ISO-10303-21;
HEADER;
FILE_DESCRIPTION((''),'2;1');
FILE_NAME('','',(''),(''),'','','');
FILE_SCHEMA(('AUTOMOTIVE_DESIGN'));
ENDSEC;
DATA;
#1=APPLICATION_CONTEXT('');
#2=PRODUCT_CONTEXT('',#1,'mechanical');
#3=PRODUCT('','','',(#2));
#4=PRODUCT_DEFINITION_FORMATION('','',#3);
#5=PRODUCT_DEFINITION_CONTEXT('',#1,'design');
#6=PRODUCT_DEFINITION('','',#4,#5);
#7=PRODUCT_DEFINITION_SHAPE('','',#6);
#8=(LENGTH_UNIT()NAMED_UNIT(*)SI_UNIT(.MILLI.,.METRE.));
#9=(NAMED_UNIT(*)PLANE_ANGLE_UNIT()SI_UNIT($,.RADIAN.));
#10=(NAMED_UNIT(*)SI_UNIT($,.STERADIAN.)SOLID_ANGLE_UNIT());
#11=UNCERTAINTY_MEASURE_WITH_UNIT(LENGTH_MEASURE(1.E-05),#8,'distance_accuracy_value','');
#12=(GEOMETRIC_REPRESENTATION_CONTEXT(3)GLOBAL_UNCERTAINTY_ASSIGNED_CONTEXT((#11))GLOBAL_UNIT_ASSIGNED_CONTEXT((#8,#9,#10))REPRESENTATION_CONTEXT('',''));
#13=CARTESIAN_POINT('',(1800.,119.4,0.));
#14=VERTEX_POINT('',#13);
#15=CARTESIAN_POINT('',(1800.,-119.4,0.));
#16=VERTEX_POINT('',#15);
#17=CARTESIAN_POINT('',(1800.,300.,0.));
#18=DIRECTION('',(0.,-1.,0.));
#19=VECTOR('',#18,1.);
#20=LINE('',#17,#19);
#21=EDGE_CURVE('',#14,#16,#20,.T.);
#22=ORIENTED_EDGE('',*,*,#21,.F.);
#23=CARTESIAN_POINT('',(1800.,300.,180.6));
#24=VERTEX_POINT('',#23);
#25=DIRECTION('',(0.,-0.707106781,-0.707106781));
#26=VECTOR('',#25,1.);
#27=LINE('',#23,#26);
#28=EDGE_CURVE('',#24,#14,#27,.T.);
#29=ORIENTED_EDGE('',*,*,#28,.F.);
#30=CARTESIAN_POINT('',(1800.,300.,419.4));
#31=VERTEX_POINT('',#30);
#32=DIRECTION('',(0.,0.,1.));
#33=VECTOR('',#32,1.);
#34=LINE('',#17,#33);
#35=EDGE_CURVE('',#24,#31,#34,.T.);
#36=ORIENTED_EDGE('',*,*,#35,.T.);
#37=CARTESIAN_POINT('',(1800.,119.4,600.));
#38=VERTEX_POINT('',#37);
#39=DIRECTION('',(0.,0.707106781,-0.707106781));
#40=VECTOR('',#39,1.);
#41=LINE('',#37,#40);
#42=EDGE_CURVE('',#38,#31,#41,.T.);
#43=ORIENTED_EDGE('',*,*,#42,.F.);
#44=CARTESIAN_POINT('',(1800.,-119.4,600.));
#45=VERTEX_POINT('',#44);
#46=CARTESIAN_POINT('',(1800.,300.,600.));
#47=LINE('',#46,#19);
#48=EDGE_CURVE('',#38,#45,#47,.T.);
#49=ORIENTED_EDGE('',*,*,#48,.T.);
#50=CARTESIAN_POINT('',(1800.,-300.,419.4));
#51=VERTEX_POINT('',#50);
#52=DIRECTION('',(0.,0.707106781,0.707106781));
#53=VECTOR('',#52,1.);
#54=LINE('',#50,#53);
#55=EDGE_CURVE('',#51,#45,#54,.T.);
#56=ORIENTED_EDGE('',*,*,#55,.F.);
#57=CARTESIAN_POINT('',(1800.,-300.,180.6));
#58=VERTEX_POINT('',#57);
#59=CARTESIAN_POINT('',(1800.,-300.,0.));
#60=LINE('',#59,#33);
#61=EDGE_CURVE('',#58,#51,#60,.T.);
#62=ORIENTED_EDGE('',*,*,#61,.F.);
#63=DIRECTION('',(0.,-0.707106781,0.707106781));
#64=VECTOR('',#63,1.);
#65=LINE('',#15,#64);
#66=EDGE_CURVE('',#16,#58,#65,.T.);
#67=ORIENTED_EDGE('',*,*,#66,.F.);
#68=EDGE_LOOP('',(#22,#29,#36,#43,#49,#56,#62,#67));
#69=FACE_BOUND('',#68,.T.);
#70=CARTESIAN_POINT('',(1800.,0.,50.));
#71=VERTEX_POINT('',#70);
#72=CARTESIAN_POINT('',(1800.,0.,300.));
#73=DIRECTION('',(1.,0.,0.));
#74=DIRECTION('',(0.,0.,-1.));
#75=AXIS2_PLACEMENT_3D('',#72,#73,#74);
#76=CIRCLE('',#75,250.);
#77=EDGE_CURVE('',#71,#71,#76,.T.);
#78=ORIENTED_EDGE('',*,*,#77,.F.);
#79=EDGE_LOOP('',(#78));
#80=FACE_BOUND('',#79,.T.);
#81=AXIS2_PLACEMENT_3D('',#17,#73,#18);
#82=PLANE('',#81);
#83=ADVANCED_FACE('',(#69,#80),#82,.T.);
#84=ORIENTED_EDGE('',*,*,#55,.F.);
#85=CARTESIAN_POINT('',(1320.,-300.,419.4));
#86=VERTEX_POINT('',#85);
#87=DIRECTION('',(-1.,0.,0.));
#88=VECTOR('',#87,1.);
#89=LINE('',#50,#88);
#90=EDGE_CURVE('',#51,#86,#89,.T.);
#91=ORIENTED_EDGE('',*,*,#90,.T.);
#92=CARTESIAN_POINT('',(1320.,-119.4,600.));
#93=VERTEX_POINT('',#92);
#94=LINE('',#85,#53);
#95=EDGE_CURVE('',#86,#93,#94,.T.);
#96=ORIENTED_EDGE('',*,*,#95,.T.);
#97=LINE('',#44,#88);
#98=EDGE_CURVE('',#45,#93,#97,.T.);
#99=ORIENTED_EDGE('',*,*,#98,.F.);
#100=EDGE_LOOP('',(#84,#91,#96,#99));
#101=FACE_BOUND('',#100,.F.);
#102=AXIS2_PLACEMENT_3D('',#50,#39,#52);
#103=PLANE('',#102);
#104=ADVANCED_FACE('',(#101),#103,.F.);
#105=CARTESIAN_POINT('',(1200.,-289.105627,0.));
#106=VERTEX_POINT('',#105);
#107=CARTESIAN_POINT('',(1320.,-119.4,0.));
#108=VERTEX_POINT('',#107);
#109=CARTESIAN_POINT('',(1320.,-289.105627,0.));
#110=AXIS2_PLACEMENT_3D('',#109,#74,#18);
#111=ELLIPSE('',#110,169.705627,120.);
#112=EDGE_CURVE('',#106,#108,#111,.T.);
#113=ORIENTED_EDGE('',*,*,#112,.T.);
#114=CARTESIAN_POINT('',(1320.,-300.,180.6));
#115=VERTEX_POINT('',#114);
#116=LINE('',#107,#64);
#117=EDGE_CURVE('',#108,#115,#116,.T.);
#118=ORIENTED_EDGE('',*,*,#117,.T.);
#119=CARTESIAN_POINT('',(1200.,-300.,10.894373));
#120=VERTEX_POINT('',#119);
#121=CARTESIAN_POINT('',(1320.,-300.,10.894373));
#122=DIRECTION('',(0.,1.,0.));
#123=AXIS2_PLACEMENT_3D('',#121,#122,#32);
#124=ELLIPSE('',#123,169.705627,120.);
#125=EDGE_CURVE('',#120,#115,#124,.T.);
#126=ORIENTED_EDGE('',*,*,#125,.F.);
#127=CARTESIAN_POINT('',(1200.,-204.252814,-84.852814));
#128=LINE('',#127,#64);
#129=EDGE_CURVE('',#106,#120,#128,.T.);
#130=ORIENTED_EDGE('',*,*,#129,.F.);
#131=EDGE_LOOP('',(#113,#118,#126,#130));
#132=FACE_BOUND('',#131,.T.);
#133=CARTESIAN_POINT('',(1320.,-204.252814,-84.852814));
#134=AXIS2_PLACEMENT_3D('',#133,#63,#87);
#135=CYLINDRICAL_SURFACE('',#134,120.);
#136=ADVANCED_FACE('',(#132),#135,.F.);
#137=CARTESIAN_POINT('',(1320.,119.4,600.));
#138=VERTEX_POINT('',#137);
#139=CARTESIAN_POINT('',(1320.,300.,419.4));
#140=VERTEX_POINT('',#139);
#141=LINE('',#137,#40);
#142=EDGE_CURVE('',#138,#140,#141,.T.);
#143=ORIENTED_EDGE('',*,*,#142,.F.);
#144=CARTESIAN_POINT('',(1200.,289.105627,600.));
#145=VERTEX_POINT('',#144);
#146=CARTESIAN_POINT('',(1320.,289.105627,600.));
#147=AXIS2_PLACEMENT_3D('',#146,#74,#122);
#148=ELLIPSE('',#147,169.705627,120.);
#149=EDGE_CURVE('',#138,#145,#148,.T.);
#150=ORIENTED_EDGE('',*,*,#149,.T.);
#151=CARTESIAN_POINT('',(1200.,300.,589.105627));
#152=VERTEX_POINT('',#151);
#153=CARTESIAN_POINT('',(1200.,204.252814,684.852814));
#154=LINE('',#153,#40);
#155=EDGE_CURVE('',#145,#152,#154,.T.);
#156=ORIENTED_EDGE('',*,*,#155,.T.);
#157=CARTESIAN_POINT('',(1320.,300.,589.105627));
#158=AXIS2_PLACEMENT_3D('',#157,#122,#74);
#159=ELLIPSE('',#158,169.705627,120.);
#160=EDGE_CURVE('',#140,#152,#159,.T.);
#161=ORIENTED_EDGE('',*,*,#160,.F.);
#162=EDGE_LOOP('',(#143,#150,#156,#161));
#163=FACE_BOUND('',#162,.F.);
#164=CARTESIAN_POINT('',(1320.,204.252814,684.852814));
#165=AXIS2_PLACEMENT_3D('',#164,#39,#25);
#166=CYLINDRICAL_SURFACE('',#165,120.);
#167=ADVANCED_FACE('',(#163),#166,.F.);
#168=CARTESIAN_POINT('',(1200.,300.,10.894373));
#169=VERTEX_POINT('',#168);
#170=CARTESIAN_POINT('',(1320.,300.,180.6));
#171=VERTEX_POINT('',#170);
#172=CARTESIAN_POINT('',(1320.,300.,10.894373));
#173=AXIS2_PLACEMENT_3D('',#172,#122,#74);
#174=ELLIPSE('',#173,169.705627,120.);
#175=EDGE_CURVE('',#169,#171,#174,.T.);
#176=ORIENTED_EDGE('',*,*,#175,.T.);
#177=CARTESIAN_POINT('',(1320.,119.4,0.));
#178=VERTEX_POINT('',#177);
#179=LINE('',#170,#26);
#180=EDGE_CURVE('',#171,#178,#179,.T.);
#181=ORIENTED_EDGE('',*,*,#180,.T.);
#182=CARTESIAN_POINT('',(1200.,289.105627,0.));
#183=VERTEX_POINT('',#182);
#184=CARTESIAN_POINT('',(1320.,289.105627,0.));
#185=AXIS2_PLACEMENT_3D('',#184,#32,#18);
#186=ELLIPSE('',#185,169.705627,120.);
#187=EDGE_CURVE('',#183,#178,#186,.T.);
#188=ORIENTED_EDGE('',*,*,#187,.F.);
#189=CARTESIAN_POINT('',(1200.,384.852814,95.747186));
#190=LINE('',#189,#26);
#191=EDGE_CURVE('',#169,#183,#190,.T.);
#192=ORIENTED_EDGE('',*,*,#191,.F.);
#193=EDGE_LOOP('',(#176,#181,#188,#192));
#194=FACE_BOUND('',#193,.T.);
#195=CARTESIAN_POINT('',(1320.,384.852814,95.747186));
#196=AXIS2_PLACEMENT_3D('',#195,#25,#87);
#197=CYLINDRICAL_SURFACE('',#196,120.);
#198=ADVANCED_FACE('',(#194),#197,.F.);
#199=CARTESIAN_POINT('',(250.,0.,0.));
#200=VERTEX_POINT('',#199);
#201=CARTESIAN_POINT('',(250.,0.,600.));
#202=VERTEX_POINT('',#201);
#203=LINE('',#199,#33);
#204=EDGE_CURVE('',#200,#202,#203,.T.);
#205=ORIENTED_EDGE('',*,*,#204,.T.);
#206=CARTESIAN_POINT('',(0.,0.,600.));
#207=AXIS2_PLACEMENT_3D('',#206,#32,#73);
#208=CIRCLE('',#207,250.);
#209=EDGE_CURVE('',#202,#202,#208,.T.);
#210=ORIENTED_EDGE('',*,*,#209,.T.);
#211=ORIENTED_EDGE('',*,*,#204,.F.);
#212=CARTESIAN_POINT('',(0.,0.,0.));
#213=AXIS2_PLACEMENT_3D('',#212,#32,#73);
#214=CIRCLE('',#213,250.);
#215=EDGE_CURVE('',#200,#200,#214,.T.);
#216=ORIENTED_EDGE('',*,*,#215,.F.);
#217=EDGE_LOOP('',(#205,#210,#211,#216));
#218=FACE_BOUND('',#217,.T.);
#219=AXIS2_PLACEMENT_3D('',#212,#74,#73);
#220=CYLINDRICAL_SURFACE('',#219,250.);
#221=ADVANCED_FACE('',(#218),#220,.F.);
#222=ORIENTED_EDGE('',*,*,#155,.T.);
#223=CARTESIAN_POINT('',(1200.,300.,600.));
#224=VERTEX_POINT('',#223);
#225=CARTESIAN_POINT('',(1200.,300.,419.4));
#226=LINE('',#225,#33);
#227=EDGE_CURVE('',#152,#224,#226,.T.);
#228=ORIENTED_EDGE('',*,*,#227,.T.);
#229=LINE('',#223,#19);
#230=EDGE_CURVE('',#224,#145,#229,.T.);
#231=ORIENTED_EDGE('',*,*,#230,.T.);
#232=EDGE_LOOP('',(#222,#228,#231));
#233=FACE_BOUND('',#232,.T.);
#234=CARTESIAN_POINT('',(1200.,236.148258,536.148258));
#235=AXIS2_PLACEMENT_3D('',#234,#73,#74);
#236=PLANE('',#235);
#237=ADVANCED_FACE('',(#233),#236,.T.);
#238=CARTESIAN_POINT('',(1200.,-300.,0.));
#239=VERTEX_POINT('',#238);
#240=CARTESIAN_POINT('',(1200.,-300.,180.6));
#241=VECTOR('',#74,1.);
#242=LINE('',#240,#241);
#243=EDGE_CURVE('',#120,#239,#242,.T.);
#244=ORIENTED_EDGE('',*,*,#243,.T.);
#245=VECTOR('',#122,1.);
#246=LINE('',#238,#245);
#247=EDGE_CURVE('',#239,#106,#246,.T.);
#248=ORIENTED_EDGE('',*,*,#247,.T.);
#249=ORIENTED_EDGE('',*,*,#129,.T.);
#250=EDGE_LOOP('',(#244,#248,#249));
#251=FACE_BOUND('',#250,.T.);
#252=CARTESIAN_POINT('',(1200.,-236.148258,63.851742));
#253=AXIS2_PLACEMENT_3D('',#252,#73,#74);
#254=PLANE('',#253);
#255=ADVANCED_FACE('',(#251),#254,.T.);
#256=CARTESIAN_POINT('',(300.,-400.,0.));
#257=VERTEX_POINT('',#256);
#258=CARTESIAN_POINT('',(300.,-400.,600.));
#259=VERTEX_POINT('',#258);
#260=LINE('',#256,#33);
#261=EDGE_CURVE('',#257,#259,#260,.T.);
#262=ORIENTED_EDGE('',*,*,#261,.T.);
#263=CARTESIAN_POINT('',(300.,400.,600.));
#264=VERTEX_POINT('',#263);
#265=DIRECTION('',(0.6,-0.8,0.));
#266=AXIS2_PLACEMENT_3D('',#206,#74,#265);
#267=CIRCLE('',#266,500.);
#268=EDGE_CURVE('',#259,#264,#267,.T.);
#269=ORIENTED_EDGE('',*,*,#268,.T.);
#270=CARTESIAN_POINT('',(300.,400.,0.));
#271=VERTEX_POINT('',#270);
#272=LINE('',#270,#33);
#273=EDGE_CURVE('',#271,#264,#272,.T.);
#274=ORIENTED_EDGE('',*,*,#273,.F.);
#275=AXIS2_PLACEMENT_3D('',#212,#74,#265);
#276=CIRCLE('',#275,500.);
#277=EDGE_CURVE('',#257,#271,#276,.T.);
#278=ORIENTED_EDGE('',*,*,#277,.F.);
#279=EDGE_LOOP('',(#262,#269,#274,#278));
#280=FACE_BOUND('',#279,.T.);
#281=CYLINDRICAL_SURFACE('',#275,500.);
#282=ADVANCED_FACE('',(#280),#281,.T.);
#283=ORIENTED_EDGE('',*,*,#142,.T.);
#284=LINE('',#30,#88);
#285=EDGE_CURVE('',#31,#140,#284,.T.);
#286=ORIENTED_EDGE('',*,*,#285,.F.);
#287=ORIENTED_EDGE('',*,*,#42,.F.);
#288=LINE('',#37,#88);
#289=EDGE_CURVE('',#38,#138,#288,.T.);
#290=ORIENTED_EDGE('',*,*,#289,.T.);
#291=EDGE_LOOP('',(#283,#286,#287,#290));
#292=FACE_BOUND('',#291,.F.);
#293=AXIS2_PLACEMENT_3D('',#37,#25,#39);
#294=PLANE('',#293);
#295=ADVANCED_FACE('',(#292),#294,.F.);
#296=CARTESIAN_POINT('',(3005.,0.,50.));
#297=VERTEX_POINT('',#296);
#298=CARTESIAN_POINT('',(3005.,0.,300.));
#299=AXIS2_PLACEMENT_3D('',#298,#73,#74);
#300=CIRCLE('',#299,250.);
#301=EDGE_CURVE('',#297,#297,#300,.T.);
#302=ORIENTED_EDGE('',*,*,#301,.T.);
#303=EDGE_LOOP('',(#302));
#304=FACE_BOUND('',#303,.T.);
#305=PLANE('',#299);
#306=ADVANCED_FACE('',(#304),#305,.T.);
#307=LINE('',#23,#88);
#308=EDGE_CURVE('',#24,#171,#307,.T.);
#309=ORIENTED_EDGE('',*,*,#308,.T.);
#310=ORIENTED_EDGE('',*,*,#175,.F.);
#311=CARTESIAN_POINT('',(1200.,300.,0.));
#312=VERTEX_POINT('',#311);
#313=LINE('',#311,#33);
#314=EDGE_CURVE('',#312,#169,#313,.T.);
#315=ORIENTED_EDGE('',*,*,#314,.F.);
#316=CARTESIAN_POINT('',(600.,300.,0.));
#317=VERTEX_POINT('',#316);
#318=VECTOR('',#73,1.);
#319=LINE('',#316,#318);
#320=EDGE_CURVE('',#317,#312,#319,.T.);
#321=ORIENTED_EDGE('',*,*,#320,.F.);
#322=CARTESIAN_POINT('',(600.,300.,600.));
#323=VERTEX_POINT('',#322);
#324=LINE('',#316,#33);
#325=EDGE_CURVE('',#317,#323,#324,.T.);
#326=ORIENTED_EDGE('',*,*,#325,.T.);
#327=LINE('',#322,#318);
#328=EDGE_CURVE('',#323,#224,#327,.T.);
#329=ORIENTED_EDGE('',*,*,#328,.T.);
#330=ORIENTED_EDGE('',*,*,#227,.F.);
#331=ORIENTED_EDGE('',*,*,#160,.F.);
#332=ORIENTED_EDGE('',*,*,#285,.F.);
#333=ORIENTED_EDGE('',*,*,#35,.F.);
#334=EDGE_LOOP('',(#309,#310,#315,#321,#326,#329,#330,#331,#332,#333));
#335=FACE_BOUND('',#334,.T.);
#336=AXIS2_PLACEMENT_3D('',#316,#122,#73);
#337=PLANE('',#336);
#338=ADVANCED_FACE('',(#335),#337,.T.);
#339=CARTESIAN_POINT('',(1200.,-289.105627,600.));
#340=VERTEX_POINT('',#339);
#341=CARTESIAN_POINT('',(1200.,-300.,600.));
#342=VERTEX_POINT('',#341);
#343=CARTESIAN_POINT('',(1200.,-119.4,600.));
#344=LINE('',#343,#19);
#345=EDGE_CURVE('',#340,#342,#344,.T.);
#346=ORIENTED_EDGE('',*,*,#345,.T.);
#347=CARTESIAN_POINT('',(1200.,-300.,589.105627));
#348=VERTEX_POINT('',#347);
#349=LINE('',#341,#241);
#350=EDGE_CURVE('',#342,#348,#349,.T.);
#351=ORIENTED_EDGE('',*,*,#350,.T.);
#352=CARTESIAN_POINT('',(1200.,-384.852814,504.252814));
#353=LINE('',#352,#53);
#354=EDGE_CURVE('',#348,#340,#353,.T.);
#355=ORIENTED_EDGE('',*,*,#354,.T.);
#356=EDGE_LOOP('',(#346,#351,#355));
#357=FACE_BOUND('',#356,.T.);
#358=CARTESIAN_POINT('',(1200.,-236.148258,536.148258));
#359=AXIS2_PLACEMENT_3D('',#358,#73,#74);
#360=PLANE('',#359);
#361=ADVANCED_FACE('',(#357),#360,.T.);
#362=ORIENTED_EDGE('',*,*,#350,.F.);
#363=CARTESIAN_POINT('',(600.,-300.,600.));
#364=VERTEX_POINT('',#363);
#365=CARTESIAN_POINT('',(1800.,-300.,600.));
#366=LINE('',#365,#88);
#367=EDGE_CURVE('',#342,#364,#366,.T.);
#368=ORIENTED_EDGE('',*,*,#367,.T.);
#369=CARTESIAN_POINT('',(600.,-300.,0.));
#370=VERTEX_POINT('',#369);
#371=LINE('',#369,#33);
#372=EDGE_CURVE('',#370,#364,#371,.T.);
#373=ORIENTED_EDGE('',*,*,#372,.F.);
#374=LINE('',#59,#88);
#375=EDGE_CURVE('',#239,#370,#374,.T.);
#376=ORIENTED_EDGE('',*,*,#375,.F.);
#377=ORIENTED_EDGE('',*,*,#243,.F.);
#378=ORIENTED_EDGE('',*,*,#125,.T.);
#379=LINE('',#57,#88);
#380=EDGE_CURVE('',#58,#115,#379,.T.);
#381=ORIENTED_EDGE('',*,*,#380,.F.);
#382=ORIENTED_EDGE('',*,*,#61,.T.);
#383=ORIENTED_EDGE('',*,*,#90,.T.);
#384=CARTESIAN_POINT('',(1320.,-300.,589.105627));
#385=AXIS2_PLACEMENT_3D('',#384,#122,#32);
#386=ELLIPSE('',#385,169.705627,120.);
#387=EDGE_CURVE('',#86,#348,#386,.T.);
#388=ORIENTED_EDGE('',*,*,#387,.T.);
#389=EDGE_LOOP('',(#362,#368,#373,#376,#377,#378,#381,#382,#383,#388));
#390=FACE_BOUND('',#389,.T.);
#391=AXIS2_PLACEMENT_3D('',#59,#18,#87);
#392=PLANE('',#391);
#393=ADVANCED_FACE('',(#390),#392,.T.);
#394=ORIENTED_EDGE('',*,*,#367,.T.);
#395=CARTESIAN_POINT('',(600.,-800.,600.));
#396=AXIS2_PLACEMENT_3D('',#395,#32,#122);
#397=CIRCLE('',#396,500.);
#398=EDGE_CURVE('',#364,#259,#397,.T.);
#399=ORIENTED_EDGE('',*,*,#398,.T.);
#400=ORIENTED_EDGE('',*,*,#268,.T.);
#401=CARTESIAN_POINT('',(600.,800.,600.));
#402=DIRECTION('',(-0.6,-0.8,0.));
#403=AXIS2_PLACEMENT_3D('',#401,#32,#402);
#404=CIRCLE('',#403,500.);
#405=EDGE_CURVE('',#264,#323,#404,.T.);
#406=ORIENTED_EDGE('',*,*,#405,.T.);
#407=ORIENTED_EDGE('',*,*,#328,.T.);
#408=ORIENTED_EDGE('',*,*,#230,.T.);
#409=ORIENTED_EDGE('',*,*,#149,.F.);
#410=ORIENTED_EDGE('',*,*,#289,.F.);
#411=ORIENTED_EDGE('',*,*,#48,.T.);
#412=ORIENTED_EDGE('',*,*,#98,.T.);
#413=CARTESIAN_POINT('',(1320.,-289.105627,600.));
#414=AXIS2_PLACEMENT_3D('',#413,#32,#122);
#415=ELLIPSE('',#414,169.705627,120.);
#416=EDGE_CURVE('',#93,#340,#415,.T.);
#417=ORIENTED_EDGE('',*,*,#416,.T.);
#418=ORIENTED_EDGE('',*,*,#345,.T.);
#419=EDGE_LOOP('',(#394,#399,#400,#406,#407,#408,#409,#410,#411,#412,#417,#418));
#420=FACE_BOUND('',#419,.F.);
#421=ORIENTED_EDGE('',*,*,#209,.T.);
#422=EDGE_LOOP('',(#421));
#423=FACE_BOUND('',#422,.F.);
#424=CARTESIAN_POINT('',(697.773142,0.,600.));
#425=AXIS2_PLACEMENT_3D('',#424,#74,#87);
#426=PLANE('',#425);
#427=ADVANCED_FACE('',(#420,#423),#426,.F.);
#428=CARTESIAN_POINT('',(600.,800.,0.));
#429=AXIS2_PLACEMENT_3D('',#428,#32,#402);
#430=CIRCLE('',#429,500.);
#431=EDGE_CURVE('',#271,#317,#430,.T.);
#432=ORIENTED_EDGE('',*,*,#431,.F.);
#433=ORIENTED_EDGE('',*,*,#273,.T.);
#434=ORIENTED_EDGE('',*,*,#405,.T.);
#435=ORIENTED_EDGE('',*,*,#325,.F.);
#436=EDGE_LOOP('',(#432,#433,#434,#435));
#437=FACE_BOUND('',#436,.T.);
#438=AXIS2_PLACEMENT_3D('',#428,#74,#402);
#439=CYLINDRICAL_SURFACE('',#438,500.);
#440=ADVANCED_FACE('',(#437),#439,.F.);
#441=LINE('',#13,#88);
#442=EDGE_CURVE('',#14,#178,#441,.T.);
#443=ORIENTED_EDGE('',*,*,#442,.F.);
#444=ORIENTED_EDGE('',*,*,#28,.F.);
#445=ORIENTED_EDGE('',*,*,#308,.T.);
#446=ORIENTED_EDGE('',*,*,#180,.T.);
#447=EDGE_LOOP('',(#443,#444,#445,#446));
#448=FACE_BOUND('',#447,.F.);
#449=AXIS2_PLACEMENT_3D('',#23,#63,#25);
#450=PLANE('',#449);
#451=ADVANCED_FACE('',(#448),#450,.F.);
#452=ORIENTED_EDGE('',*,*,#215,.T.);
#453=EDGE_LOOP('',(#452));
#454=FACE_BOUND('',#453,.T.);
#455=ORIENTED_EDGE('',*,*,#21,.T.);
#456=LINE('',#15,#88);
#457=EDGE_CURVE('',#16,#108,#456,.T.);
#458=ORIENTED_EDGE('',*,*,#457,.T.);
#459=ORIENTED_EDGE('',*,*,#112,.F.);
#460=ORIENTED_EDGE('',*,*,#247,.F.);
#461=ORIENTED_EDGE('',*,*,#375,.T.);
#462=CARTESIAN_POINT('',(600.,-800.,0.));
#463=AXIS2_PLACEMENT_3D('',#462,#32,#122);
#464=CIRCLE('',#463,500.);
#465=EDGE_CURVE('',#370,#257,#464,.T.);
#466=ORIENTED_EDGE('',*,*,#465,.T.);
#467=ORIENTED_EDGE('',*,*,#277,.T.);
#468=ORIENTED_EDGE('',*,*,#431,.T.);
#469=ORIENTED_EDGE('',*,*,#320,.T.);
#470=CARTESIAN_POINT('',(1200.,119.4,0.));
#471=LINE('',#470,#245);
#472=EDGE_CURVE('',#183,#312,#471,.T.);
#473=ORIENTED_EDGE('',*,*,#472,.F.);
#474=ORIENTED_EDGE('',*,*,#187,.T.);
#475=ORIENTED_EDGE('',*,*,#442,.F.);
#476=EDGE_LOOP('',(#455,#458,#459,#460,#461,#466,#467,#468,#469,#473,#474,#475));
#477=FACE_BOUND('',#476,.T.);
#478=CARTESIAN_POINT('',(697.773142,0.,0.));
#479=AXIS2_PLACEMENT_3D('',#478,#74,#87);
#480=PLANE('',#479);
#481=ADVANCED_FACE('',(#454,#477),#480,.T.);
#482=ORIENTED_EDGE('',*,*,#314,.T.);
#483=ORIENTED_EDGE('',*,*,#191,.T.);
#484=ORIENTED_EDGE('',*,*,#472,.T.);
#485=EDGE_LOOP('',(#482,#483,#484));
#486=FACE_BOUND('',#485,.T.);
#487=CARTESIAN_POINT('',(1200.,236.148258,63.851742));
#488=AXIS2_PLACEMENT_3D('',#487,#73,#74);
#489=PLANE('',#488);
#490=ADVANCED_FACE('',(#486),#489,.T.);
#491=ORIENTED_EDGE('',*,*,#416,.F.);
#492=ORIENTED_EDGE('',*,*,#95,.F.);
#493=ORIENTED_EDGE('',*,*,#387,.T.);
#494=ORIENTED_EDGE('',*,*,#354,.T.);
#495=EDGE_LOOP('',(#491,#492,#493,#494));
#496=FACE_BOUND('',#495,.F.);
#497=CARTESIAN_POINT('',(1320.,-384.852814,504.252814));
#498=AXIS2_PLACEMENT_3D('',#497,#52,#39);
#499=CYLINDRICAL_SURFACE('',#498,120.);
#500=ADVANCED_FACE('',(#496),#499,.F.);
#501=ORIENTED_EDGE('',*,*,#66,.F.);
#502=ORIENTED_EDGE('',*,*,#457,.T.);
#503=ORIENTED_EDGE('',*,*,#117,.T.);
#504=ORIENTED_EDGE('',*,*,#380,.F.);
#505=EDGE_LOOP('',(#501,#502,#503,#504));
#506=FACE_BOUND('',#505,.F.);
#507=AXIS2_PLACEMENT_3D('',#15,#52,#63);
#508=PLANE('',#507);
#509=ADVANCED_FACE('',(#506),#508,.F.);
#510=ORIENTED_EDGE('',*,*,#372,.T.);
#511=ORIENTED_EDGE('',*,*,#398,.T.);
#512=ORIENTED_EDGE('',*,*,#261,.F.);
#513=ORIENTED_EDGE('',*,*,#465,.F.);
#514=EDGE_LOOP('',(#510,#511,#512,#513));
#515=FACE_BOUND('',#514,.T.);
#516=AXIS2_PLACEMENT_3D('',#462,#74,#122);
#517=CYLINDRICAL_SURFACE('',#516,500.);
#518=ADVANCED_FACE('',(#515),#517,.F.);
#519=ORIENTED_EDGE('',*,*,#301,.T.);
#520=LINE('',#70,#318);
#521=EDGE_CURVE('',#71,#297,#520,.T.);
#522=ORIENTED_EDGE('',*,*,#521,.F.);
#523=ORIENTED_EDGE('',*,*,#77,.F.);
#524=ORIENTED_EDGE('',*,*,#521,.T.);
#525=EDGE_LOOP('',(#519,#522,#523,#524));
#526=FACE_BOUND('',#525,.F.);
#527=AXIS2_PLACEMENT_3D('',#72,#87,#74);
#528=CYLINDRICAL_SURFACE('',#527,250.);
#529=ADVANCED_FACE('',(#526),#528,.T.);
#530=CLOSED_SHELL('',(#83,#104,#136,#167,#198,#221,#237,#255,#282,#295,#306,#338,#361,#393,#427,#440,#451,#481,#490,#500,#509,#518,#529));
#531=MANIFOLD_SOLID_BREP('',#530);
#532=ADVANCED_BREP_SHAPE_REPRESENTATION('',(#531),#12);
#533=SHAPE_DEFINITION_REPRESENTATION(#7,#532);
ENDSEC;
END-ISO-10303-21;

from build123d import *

# Parameters (mm, degrees)
SKETCH1_R           = 250
BOSS_EXTRUDE1_DEPTH = 600
CUT_EXTRUDE1_DEPTH  = 600
SKETCH2_5_R         = 250
BOSS_EXTRUDE2_DEPTH = 1205
FILLET1_R           = 120


with BuildPart() as part:
    # Sketch1 → Boss-Extrude1 (new body)
    with BuildSketch(Plane.XY):
        with BuildLine():
            Line((600, 300), (1800, 300))
            Line((1800, 300), (1800, -300))
            Line((1800, -300), (600, -300))
            ThreePointArc((600, -300), (441.886116992, -325.658350975), (300, -400))
            ThreePointArc((300, -400), (-500, 0), (300, 400))
            ThreePointArc((300, 400), (441.886116992, 325.658350975), (600, 300))
        make_face()
        Circle(SKETCH1_R, mode=Mode.SUBTRACT)
    extrude(amount=BOSS_EXTRUDE1_DEPTH)

    # Sketch2 → Cut-Extrude1 (cut)
    with BuildSketch(Plane(origin=(1800, 0, 0), x_dir=(0, 0, -1), z_dir=(1, 0, 0))):
        Polygon((-600, 119.4), (-419.4, 300), (-600, 300), align=None)
        Polygon((0, 300), (-180.6, 300), (0, 119.4), align=None)
        Polygon((0, -300), (0, -119.4), (-180.6, -300), align=None)
        Polygon((-419.4, -300), (-600, -119.4), (-600, -300), align=None)
    extrude(amount=-CUT_EXTRUDE1_DEPTH, mode=Mode.SUBTRACT)

    # Sketch2<5> → Boss-Extrude2 (add)
    with BuildSketch(Plane(origin=(1800, 0, 0), x_dir=(0, 0, -1), z_dir=(1, 0, 0))):
        with Locations((-300, 0)):
            Circle(SKETCH2_5_R)
    extrude(amount=BOSS_EXTRUDE2_DEPTH)

    # Fillet1
    fillet1_edges = [part.edges().sort_by_distance(p)[0] for p in [
        (1200, -209.7, 509.7),
        (1200, -209.7, 90.3),
        (1200, 209.7, 90.3),
        (1200, 209.7, 509.7),
    ]]
    fillet(fillet1_edges, radius=FILLET1_R)


solid = part.part
